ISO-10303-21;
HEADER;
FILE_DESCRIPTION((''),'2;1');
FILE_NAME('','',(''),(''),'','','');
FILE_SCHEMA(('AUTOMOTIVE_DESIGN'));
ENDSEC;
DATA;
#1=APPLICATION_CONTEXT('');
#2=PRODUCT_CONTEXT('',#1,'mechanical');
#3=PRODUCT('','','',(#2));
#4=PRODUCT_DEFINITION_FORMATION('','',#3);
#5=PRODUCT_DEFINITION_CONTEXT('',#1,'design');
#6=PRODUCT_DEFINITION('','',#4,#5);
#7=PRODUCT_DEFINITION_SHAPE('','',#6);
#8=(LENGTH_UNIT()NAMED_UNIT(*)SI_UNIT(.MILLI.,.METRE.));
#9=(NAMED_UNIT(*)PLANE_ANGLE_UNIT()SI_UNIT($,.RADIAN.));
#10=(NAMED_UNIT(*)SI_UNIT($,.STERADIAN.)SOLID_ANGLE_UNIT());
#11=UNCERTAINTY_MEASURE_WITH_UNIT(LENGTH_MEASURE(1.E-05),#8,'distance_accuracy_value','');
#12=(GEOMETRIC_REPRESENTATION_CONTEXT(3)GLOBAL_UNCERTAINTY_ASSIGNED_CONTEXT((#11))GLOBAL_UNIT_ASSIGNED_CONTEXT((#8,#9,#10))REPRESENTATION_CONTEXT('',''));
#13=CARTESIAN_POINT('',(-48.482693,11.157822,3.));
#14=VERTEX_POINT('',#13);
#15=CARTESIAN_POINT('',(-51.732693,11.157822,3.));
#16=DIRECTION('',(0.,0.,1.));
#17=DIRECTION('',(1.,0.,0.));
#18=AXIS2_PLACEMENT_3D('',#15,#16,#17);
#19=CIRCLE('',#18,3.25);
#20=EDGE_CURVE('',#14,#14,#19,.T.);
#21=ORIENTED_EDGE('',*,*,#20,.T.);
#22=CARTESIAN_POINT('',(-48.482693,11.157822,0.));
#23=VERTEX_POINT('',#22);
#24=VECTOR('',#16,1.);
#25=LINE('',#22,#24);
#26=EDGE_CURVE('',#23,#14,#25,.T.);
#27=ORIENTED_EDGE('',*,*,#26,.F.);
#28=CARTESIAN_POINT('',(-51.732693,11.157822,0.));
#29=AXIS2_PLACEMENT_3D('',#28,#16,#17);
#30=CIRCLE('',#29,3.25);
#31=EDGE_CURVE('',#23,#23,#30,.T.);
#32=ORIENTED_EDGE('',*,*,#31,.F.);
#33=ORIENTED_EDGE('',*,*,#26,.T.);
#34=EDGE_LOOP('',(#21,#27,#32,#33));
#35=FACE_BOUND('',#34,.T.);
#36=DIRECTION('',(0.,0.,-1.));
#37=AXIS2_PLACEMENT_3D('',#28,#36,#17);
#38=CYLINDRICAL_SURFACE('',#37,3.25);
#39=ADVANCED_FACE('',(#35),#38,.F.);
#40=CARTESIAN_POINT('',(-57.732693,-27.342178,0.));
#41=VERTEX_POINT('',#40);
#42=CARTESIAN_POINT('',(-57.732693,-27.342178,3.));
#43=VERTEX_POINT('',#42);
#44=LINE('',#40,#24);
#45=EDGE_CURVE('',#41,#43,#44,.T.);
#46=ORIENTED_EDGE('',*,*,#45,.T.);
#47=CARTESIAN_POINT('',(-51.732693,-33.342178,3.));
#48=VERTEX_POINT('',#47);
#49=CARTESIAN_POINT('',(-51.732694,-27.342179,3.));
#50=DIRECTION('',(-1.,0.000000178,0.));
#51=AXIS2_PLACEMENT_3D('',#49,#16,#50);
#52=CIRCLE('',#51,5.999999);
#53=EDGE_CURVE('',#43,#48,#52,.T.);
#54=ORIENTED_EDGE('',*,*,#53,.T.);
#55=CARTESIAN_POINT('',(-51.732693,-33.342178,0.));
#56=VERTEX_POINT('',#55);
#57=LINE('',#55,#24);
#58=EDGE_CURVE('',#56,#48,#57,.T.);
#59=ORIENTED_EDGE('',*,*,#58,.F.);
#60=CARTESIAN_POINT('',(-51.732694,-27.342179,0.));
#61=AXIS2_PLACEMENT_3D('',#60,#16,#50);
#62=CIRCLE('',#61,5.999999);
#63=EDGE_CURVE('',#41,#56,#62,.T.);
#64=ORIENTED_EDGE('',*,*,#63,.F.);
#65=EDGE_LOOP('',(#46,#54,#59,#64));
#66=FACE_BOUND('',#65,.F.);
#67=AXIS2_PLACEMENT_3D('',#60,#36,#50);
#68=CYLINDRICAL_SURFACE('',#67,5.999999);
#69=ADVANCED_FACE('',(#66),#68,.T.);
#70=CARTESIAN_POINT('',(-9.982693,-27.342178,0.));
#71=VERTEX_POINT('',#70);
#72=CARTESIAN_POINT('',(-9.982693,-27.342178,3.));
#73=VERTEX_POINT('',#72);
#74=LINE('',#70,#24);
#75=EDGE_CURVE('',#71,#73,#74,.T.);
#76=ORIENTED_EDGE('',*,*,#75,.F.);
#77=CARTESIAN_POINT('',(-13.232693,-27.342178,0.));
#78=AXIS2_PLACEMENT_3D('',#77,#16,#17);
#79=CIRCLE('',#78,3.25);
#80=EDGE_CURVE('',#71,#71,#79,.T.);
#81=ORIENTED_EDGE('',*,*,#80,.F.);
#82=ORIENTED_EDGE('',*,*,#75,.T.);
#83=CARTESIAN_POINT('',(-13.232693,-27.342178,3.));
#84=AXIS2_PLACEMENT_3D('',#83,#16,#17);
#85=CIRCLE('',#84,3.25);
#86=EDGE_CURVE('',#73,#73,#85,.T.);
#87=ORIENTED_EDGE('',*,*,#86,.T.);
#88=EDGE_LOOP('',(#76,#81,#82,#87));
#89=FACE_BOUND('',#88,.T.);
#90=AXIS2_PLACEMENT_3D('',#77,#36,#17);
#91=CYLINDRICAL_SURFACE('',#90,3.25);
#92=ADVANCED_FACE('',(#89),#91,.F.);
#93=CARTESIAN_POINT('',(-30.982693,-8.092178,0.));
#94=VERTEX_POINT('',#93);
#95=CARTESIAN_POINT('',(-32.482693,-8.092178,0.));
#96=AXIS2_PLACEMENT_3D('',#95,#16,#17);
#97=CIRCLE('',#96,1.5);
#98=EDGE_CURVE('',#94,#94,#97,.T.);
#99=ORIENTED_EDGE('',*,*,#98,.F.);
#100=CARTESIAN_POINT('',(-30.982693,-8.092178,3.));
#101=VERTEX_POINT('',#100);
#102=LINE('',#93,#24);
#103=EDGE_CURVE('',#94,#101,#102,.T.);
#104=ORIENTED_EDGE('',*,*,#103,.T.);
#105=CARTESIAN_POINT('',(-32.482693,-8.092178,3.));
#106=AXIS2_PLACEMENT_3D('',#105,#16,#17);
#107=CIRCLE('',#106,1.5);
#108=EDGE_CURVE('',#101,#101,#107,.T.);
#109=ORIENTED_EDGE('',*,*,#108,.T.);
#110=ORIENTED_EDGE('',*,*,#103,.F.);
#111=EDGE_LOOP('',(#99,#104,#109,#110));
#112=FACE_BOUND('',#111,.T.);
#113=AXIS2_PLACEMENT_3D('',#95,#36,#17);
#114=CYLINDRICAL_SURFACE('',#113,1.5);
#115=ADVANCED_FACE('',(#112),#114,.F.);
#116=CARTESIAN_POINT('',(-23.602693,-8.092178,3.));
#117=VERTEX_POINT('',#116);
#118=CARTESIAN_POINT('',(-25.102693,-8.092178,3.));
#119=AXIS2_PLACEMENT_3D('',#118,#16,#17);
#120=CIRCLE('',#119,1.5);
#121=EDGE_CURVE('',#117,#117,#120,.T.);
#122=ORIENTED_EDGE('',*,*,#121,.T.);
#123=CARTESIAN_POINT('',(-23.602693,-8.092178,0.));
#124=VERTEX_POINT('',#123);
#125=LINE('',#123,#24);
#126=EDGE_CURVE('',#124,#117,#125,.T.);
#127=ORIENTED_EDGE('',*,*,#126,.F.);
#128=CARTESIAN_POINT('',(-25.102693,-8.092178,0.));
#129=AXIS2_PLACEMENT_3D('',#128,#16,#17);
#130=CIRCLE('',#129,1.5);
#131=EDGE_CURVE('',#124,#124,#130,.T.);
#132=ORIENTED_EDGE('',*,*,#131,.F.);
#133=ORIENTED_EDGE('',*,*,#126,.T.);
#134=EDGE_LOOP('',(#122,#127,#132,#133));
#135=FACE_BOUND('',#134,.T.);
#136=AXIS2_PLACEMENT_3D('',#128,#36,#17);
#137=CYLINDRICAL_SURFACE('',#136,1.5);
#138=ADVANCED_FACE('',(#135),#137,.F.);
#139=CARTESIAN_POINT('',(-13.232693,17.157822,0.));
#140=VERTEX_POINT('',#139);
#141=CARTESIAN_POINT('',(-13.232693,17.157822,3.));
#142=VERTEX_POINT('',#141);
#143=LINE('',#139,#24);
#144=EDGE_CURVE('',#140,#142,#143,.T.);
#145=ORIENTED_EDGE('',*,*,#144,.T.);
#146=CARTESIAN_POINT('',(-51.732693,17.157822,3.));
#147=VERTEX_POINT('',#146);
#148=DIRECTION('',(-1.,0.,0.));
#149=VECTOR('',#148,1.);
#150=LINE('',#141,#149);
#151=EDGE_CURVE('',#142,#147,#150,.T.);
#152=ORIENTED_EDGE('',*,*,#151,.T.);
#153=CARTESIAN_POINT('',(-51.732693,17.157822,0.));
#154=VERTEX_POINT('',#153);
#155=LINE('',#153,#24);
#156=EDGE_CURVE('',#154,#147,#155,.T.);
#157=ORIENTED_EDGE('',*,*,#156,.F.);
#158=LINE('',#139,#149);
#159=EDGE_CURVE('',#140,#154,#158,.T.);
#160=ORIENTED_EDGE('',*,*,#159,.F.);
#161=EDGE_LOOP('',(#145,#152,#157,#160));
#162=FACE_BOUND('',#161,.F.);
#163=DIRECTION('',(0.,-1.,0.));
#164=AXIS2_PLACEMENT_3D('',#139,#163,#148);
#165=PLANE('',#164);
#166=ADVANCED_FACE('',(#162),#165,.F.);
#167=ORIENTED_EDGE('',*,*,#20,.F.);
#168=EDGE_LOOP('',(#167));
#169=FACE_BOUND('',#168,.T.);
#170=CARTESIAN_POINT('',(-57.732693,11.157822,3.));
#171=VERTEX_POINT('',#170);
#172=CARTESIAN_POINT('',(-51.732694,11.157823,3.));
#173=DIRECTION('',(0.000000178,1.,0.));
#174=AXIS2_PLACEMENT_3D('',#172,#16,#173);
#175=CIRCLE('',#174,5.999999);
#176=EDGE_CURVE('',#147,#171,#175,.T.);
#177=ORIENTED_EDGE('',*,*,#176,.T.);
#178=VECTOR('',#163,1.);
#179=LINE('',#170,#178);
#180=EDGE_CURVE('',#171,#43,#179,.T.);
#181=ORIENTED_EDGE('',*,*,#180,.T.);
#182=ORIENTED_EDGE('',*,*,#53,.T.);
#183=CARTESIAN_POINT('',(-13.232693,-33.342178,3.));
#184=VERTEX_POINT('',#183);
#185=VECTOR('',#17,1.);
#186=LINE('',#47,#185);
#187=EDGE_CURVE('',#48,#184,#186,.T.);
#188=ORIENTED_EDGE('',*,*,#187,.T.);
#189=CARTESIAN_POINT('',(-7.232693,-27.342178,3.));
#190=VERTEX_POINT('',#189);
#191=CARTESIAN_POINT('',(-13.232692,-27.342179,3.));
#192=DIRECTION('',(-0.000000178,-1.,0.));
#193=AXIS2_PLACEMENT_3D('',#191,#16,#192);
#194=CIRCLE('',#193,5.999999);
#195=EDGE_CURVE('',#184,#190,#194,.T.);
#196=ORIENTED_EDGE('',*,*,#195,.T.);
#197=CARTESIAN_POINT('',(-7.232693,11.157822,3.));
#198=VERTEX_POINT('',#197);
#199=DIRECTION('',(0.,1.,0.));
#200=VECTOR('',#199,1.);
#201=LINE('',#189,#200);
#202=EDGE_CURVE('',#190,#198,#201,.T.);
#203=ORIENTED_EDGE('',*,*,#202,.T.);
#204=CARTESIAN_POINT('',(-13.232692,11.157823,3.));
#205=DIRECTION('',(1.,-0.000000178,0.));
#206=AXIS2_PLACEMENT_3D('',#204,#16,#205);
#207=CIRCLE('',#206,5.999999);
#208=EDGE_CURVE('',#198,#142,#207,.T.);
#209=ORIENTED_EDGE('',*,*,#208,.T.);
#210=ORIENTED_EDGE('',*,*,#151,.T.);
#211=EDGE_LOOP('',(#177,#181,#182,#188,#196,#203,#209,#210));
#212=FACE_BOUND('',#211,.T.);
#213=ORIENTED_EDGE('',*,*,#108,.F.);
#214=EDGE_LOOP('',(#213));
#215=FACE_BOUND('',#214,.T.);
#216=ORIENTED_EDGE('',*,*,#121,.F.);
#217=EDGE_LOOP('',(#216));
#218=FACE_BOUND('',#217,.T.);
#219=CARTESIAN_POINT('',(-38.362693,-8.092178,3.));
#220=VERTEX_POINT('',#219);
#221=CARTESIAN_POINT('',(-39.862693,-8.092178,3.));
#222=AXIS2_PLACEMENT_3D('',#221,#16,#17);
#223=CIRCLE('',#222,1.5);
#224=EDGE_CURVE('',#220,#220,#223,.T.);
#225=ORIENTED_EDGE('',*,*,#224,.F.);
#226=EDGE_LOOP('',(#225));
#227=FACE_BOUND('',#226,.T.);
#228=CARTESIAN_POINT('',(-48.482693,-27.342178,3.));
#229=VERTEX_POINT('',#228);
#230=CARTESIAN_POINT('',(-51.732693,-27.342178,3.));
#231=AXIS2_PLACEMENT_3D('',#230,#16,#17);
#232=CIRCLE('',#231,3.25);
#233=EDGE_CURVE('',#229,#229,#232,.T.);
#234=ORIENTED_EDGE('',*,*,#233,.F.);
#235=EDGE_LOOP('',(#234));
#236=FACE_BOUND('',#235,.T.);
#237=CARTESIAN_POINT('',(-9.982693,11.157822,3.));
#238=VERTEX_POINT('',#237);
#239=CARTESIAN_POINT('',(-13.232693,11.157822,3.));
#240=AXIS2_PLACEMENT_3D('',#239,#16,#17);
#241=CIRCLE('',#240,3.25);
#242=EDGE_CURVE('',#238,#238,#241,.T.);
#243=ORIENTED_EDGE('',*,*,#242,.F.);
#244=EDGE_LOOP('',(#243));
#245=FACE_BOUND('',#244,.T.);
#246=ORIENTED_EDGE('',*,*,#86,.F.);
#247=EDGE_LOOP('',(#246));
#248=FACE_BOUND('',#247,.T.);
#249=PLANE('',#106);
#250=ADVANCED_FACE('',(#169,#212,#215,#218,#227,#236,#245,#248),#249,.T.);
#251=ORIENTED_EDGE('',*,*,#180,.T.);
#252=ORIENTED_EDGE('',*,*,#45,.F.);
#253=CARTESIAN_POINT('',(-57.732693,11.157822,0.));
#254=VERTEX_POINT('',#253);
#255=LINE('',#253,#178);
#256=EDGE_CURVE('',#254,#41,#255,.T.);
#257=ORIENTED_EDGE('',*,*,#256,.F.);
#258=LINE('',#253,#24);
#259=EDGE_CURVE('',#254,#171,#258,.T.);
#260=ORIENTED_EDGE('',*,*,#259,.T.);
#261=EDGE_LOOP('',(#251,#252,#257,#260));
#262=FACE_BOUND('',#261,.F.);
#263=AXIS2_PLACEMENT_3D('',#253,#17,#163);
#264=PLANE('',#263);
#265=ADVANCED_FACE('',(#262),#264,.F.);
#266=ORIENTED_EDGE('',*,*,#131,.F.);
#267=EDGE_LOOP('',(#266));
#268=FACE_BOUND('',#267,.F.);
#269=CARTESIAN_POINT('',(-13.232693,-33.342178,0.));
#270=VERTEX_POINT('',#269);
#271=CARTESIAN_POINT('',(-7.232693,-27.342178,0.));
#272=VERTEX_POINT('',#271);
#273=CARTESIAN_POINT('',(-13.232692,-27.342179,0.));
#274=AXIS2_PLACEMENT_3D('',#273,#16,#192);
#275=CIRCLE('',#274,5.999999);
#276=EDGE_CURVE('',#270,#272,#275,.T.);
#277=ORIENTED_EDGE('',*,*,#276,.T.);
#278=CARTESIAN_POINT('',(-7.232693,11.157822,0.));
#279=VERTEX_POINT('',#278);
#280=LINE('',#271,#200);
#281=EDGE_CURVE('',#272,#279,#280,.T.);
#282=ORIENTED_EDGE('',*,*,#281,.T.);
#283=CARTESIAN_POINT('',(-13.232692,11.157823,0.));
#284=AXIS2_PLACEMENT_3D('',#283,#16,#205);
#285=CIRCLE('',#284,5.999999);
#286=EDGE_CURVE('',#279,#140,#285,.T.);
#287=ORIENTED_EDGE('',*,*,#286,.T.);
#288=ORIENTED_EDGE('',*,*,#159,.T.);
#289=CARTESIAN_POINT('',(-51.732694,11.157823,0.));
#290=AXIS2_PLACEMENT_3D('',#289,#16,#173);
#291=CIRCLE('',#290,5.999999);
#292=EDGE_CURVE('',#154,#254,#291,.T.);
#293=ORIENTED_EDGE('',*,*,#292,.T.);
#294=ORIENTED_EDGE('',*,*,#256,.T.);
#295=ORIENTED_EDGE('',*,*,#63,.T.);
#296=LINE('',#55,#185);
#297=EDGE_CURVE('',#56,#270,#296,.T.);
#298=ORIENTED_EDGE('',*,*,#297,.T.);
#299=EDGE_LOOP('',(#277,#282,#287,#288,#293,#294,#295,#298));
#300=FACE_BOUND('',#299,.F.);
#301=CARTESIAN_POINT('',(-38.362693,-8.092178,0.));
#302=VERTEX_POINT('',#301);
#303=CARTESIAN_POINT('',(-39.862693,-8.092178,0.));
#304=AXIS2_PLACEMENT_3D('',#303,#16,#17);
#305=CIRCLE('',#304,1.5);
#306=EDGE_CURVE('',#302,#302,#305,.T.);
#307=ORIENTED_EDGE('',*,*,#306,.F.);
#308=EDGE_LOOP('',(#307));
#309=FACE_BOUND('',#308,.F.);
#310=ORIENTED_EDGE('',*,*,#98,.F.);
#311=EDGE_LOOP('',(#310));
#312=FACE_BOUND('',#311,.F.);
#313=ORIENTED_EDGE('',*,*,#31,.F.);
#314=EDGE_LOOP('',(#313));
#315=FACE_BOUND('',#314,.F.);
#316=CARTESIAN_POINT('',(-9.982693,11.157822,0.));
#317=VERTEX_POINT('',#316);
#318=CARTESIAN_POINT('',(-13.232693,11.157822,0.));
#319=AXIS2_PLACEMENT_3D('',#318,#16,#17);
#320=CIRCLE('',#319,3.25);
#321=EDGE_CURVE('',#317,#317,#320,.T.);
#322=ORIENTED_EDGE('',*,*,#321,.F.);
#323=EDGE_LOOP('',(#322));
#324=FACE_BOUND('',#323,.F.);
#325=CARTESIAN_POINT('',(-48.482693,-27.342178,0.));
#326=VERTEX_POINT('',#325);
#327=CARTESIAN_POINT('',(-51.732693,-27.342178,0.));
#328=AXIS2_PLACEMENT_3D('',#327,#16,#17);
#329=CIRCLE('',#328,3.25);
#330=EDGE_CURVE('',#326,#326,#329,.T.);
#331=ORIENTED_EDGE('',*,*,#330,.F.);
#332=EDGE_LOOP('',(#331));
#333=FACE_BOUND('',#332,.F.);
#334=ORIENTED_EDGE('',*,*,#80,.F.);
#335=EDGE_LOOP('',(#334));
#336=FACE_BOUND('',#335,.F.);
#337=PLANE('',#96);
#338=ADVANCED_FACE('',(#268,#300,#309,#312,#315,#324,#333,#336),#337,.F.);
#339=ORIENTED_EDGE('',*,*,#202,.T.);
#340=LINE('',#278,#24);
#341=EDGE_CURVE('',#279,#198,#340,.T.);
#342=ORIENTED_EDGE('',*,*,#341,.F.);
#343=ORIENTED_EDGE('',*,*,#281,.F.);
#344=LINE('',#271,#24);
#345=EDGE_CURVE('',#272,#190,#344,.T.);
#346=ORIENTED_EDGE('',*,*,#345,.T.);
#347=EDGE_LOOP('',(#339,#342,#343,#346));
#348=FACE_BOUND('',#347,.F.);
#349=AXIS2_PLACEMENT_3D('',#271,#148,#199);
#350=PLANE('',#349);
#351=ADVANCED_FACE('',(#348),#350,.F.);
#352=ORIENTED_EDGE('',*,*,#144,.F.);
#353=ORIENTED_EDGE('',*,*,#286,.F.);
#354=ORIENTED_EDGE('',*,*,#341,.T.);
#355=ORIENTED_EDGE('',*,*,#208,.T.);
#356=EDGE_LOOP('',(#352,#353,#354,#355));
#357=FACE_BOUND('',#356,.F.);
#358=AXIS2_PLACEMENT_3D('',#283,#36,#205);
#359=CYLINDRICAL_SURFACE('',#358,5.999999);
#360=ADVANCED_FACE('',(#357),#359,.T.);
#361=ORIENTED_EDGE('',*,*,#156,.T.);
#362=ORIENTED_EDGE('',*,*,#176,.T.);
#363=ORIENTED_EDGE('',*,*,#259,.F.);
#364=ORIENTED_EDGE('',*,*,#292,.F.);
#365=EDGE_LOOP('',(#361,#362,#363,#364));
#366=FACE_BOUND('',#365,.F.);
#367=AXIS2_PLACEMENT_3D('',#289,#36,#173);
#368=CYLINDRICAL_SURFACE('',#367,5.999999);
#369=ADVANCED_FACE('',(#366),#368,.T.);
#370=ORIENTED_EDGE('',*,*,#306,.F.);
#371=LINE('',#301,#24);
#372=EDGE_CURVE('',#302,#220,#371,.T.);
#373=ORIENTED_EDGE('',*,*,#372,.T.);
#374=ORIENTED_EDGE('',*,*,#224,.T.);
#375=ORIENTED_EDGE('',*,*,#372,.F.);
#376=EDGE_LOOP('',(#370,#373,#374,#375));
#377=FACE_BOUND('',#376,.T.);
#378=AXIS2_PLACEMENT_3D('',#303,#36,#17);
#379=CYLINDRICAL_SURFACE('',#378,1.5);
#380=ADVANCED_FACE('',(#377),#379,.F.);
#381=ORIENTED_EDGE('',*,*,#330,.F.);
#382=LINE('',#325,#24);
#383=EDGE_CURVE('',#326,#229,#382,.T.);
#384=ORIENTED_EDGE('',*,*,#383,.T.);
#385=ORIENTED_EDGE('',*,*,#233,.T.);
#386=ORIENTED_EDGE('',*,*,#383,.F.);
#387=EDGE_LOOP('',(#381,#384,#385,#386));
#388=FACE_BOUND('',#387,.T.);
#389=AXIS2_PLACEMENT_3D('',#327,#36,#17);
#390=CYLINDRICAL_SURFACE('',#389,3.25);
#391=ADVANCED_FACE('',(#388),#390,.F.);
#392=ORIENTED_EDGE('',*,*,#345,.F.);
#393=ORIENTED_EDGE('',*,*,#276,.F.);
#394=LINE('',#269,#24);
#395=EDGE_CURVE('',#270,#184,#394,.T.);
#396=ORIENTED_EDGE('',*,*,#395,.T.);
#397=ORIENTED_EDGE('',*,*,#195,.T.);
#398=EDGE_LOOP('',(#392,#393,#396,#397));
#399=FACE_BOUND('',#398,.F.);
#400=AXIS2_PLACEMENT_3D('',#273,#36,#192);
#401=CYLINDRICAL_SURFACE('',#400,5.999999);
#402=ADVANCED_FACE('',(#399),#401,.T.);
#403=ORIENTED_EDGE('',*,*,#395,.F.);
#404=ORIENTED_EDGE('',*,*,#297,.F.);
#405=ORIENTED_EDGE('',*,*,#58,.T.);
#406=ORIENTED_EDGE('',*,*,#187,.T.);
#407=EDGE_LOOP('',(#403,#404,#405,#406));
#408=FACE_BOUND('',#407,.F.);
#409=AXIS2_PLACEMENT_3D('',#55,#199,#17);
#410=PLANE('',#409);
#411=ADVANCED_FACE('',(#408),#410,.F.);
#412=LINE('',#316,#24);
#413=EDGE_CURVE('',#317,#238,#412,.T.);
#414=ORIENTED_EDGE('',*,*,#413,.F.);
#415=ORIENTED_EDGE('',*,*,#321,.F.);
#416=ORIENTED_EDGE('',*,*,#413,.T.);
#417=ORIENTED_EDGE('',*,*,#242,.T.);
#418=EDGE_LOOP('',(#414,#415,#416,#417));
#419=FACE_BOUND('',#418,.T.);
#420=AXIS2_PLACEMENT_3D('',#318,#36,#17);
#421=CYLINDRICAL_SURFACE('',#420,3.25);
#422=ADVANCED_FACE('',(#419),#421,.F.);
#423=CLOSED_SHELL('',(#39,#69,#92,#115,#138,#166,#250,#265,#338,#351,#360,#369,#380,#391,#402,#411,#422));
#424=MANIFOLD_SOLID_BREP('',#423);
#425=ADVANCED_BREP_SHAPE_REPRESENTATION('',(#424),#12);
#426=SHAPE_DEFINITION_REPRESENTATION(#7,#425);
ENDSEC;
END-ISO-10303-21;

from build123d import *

# Parameters (mm, degrees)
F0_R     = 3.25
F0_R_2   = 1.5
F1_DEPTH = 3


with BuildPart() as f1:
    # F0 (on Top) → F1 (new body)
    with BuildSketch(Plane.XY):
        with BuildLine():
            Line((-13.232693, 17.157822), (-51.732693, 17.157822))
            ThreePointArc((-51.732693, 17.157822), (-55.975334, 15.400463), (-57.732693, 11.157822))
            Line((-57.732693, 11.157822), (-57.732693, -27.342178))
            ThreePointArc((-57.732693, -27.342178), (-55.975334, -31.584819), (-51.732693, -33.342178))
            Line((-51.732693, -33.342178), (-13.232693, -33.342178))
            ThreePointArc((-13.232693, -33.342178), (-8.990052, -31.584819), (-7.232693, -27.342178))
            Line((-7.232693, -27.342178), (-7.232693, 11.157822))
            ThreePointArc((-7.232693, 11.157822), (-8.990052, 15.400463), (-13.232693, 17.157822))
        make_face()
        with Locations((-51.732693, -27.342178)):
            Circle(F0_R, mode=Mode.SUBTRACT)
        with Locations((-39.862693, -8.092178)):
            Circle(F0_R_2, mode=Mode.SUBTRACT)
        with Locations((-32.482693, -8.092178)):
            Circle(F0_R_2, mode=Mode.SUBTRACT)
        with Locations((-13.232693, -27.342178)):
            Circle(F0_R, mode=Mode.SUBTRACT)
        with Locations((-25.102693, -8.092178)):
            Circle(F0_R_2, mode=Mode.SUBTRACT)
        with Locations((-51.732693, 11.157822)):
            Circle(F0_R, mode=Mode.SUBTRACT)
        with Locations((-13.232693, 11.157822)):
            Circle(F0_R, mode=Mode.SUBTRACT)
    extrude(amount=F1_DEPTH)


solid = f1.part
